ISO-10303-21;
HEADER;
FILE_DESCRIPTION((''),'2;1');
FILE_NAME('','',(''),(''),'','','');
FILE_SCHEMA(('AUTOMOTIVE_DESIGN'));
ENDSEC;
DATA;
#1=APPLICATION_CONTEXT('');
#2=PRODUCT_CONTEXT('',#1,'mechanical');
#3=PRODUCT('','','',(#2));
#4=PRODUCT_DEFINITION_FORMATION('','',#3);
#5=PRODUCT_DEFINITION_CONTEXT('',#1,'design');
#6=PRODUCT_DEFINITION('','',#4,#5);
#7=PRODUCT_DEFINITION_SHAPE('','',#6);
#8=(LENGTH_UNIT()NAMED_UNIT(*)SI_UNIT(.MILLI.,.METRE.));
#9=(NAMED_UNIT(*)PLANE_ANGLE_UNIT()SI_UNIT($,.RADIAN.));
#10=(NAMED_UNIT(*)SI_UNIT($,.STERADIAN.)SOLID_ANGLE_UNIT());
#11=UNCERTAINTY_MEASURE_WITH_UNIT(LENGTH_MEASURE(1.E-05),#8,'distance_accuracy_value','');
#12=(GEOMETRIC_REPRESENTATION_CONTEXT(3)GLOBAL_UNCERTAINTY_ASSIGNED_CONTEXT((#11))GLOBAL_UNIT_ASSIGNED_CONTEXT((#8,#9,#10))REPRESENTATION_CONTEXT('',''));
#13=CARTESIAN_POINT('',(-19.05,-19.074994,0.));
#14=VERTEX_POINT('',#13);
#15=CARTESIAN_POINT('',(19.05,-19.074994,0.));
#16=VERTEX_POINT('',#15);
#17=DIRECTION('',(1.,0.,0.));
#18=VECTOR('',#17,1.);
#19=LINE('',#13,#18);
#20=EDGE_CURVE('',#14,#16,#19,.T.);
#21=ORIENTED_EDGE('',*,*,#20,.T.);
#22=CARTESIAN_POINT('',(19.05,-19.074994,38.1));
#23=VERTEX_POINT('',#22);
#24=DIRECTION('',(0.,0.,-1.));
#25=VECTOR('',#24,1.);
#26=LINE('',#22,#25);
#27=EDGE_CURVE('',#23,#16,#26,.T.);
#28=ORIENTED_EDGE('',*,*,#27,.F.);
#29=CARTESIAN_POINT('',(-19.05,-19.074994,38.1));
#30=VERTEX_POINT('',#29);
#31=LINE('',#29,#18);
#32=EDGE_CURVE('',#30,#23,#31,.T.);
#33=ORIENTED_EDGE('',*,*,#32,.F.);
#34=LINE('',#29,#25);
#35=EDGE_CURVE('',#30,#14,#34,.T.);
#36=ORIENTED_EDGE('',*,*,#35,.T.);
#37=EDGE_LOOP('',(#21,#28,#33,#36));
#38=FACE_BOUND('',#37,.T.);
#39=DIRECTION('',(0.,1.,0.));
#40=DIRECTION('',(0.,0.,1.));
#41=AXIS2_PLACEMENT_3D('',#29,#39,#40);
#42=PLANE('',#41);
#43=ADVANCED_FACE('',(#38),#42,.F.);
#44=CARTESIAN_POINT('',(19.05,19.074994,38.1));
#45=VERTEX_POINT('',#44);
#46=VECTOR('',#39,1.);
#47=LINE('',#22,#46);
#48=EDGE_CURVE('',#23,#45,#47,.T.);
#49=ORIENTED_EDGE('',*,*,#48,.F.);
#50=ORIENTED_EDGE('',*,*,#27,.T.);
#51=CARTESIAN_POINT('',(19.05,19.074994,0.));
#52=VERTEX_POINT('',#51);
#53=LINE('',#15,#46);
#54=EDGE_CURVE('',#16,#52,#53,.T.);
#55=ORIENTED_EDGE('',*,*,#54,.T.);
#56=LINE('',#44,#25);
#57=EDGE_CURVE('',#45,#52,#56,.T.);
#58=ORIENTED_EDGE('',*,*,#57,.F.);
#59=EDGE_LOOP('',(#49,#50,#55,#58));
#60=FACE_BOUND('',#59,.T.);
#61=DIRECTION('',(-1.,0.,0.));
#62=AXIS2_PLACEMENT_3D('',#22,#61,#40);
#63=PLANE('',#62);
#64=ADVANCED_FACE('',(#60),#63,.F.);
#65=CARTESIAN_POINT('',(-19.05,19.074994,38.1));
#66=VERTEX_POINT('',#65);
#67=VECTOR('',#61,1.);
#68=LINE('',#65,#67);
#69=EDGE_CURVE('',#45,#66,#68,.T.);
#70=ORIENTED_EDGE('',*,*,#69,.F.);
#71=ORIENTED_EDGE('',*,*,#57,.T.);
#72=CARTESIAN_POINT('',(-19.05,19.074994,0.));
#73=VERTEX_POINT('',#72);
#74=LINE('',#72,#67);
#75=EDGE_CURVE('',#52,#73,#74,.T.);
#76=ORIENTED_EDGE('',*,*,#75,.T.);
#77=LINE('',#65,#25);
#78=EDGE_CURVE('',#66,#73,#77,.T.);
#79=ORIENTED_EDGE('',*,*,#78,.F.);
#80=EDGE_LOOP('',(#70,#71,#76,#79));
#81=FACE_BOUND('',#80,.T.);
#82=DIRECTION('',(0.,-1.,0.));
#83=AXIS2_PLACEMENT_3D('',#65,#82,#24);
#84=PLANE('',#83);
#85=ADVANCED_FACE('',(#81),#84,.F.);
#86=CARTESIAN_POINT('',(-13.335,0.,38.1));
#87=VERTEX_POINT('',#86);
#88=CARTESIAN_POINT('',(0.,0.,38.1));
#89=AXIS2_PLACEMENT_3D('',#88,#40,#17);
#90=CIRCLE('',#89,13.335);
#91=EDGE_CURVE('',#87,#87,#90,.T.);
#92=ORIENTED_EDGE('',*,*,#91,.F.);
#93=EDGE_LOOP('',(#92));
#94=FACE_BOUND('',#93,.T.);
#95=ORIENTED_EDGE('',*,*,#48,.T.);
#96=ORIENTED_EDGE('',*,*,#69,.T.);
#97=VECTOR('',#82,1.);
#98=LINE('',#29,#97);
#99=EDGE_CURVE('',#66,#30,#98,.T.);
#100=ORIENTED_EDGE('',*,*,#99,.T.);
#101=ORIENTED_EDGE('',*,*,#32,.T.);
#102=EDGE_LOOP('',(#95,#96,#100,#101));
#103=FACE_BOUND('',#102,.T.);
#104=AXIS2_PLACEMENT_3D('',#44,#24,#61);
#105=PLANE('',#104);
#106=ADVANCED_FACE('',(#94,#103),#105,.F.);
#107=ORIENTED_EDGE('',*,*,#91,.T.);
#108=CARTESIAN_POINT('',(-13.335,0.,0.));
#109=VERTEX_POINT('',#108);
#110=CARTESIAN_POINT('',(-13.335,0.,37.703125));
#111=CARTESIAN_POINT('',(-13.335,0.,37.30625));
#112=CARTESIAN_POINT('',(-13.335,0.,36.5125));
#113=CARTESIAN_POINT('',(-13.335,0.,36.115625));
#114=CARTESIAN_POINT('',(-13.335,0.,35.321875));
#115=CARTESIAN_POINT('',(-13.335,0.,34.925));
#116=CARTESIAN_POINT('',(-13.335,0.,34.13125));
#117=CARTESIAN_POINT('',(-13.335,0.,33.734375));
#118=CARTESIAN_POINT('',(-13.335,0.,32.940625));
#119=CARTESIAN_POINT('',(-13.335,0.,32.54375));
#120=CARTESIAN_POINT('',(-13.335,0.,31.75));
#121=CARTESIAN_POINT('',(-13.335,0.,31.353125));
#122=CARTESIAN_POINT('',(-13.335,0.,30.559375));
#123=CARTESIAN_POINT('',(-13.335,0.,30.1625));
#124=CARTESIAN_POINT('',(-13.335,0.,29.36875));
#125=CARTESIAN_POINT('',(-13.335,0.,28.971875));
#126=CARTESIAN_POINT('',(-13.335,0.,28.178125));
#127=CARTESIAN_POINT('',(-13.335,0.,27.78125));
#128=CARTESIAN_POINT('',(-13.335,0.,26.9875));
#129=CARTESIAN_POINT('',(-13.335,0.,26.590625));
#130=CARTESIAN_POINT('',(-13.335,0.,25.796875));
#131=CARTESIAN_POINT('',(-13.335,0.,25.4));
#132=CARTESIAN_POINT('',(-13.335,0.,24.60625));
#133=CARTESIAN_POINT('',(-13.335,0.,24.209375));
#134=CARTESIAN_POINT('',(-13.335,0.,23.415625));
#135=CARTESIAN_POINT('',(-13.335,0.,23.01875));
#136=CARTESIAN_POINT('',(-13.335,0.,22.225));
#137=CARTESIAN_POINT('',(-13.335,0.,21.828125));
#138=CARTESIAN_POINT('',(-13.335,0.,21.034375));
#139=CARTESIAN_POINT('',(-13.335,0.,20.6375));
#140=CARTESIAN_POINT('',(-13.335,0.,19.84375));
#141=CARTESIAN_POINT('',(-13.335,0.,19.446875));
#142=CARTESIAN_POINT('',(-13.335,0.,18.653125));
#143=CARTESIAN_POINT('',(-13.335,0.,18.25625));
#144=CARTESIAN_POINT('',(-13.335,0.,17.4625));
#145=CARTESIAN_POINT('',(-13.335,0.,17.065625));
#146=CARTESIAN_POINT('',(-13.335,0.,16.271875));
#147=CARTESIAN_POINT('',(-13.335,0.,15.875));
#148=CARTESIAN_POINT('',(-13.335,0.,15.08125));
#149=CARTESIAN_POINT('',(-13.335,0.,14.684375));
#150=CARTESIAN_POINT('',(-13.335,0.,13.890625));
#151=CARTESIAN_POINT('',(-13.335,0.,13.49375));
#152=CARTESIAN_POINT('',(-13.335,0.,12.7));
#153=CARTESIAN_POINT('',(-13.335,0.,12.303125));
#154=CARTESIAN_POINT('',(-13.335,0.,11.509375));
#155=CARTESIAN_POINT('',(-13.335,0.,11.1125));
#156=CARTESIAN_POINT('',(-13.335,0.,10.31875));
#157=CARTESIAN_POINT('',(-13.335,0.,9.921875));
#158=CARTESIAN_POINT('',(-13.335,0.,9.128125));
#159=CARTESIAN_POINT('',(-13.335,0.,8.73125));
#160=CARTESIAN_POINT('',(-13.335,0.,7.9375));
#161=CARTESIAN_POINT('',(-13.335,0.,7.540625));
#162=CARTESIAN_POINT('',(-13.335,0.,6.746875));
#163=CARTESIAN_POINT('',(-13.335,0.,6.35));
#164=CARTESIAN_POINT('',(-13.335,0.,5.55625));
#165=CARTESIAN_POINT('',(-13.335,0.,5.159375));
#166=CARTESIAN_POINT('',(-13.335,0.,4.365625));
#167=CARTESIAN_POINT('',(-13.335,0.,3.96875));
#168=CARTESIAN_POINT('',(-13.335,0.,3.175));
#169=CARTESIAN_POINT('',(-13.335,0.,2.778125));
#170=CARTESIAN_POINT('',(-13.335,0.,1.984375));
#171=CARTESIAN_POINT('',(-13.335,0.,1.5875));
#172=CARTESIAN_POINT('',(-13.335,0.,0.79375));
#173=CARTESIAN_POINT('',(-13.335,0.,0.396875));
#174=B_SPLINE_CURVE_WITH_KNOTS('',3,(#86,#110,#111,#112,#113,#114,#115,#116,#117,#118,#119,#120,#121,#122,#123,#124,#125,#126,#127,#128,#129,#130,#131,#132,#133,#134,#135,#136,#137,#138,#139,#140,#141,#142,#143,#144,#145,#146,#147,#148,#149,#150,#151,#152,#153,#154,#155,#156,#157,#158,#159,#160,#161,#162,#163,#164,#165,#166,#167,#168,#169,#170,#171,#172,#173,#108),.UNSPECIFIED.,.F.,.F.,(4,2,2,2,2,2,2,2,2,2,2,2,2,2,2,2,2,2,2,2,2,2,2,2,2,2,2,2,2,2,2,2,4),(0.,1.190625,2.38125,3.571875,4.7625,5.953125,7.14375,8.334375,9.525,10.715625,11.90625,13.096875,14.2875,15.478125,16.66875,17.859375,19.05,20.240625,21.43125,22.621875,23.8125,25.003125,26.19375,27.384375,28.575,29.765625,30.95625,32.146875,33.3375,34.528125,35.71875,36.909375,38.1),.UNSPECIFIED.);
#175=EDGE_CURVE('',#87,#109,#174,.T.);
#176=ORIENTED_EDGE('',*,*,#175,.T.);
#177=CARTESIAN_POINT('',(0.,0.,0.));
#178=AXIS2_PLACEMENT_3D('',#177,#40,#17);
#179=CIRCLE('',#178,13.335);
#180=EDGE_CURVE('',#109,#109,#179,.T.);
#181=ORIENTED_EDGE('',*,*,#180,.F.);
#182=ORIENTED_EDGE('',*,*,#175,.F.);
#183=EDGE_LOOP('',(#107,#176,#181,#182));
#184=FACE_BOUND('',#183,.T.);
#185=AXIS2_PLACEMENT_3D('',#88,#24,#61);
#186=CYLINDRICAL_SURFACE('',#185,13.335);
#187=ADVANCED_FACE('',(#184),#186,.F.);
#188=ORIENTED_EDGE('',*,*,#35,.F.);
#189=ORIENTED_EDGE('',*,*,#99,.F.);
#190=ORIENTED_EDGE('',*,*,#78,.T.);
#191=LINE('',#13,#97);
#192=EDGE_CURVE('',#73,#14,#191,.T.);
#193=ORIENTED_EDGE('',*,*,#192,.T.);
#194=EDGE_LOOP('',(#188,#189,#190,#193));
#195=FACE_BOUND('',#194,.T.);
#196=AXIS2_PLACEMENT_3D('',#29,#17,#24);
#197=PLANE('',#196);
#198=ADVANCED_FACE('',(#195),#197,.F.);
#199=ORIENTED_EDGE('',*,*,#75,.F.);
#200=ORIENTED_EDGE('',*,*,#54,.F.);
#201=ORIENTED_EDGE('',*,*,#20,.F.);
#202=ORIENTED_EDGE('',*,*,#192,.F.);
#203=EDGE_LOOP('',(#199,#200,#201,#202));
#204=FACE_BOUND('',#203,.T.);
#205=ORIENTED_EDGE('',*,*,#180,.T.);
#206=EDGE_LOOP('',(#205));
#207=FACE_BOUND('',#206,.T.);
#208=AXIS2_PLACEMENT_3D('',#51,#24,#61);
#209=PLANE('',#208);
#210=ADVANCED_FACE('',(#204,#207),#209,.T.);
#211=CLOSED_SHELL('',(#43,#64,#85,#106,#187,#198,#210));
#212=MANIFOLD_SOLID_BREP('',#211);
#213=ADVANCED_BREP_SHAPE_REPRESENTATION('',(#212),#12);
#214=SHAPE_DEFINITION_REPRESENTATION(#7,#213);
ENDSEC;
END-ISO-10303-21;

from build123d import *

# Parameters (mm, degrees)
SKETCH1_W           = 38.1
SKETCH1_H           = 38.149988338
SKETCH1_R           = 13.335
BOSS_EXTRUDE1_DEPTH = 38.1


with BuildPart() as part:
    # Sketch1 → Boss-Extrude1 (new body)
    with BuildSketch(Plane.XY):
        Rectangle(SKETCH1_W, SKETCH1_H)
        Circle(SKETCH1_R, mode=Mode.SUBTRACT)
    extrude(amount=BOSS_EXTRUDE1_DEPTH)


solid = part.part
